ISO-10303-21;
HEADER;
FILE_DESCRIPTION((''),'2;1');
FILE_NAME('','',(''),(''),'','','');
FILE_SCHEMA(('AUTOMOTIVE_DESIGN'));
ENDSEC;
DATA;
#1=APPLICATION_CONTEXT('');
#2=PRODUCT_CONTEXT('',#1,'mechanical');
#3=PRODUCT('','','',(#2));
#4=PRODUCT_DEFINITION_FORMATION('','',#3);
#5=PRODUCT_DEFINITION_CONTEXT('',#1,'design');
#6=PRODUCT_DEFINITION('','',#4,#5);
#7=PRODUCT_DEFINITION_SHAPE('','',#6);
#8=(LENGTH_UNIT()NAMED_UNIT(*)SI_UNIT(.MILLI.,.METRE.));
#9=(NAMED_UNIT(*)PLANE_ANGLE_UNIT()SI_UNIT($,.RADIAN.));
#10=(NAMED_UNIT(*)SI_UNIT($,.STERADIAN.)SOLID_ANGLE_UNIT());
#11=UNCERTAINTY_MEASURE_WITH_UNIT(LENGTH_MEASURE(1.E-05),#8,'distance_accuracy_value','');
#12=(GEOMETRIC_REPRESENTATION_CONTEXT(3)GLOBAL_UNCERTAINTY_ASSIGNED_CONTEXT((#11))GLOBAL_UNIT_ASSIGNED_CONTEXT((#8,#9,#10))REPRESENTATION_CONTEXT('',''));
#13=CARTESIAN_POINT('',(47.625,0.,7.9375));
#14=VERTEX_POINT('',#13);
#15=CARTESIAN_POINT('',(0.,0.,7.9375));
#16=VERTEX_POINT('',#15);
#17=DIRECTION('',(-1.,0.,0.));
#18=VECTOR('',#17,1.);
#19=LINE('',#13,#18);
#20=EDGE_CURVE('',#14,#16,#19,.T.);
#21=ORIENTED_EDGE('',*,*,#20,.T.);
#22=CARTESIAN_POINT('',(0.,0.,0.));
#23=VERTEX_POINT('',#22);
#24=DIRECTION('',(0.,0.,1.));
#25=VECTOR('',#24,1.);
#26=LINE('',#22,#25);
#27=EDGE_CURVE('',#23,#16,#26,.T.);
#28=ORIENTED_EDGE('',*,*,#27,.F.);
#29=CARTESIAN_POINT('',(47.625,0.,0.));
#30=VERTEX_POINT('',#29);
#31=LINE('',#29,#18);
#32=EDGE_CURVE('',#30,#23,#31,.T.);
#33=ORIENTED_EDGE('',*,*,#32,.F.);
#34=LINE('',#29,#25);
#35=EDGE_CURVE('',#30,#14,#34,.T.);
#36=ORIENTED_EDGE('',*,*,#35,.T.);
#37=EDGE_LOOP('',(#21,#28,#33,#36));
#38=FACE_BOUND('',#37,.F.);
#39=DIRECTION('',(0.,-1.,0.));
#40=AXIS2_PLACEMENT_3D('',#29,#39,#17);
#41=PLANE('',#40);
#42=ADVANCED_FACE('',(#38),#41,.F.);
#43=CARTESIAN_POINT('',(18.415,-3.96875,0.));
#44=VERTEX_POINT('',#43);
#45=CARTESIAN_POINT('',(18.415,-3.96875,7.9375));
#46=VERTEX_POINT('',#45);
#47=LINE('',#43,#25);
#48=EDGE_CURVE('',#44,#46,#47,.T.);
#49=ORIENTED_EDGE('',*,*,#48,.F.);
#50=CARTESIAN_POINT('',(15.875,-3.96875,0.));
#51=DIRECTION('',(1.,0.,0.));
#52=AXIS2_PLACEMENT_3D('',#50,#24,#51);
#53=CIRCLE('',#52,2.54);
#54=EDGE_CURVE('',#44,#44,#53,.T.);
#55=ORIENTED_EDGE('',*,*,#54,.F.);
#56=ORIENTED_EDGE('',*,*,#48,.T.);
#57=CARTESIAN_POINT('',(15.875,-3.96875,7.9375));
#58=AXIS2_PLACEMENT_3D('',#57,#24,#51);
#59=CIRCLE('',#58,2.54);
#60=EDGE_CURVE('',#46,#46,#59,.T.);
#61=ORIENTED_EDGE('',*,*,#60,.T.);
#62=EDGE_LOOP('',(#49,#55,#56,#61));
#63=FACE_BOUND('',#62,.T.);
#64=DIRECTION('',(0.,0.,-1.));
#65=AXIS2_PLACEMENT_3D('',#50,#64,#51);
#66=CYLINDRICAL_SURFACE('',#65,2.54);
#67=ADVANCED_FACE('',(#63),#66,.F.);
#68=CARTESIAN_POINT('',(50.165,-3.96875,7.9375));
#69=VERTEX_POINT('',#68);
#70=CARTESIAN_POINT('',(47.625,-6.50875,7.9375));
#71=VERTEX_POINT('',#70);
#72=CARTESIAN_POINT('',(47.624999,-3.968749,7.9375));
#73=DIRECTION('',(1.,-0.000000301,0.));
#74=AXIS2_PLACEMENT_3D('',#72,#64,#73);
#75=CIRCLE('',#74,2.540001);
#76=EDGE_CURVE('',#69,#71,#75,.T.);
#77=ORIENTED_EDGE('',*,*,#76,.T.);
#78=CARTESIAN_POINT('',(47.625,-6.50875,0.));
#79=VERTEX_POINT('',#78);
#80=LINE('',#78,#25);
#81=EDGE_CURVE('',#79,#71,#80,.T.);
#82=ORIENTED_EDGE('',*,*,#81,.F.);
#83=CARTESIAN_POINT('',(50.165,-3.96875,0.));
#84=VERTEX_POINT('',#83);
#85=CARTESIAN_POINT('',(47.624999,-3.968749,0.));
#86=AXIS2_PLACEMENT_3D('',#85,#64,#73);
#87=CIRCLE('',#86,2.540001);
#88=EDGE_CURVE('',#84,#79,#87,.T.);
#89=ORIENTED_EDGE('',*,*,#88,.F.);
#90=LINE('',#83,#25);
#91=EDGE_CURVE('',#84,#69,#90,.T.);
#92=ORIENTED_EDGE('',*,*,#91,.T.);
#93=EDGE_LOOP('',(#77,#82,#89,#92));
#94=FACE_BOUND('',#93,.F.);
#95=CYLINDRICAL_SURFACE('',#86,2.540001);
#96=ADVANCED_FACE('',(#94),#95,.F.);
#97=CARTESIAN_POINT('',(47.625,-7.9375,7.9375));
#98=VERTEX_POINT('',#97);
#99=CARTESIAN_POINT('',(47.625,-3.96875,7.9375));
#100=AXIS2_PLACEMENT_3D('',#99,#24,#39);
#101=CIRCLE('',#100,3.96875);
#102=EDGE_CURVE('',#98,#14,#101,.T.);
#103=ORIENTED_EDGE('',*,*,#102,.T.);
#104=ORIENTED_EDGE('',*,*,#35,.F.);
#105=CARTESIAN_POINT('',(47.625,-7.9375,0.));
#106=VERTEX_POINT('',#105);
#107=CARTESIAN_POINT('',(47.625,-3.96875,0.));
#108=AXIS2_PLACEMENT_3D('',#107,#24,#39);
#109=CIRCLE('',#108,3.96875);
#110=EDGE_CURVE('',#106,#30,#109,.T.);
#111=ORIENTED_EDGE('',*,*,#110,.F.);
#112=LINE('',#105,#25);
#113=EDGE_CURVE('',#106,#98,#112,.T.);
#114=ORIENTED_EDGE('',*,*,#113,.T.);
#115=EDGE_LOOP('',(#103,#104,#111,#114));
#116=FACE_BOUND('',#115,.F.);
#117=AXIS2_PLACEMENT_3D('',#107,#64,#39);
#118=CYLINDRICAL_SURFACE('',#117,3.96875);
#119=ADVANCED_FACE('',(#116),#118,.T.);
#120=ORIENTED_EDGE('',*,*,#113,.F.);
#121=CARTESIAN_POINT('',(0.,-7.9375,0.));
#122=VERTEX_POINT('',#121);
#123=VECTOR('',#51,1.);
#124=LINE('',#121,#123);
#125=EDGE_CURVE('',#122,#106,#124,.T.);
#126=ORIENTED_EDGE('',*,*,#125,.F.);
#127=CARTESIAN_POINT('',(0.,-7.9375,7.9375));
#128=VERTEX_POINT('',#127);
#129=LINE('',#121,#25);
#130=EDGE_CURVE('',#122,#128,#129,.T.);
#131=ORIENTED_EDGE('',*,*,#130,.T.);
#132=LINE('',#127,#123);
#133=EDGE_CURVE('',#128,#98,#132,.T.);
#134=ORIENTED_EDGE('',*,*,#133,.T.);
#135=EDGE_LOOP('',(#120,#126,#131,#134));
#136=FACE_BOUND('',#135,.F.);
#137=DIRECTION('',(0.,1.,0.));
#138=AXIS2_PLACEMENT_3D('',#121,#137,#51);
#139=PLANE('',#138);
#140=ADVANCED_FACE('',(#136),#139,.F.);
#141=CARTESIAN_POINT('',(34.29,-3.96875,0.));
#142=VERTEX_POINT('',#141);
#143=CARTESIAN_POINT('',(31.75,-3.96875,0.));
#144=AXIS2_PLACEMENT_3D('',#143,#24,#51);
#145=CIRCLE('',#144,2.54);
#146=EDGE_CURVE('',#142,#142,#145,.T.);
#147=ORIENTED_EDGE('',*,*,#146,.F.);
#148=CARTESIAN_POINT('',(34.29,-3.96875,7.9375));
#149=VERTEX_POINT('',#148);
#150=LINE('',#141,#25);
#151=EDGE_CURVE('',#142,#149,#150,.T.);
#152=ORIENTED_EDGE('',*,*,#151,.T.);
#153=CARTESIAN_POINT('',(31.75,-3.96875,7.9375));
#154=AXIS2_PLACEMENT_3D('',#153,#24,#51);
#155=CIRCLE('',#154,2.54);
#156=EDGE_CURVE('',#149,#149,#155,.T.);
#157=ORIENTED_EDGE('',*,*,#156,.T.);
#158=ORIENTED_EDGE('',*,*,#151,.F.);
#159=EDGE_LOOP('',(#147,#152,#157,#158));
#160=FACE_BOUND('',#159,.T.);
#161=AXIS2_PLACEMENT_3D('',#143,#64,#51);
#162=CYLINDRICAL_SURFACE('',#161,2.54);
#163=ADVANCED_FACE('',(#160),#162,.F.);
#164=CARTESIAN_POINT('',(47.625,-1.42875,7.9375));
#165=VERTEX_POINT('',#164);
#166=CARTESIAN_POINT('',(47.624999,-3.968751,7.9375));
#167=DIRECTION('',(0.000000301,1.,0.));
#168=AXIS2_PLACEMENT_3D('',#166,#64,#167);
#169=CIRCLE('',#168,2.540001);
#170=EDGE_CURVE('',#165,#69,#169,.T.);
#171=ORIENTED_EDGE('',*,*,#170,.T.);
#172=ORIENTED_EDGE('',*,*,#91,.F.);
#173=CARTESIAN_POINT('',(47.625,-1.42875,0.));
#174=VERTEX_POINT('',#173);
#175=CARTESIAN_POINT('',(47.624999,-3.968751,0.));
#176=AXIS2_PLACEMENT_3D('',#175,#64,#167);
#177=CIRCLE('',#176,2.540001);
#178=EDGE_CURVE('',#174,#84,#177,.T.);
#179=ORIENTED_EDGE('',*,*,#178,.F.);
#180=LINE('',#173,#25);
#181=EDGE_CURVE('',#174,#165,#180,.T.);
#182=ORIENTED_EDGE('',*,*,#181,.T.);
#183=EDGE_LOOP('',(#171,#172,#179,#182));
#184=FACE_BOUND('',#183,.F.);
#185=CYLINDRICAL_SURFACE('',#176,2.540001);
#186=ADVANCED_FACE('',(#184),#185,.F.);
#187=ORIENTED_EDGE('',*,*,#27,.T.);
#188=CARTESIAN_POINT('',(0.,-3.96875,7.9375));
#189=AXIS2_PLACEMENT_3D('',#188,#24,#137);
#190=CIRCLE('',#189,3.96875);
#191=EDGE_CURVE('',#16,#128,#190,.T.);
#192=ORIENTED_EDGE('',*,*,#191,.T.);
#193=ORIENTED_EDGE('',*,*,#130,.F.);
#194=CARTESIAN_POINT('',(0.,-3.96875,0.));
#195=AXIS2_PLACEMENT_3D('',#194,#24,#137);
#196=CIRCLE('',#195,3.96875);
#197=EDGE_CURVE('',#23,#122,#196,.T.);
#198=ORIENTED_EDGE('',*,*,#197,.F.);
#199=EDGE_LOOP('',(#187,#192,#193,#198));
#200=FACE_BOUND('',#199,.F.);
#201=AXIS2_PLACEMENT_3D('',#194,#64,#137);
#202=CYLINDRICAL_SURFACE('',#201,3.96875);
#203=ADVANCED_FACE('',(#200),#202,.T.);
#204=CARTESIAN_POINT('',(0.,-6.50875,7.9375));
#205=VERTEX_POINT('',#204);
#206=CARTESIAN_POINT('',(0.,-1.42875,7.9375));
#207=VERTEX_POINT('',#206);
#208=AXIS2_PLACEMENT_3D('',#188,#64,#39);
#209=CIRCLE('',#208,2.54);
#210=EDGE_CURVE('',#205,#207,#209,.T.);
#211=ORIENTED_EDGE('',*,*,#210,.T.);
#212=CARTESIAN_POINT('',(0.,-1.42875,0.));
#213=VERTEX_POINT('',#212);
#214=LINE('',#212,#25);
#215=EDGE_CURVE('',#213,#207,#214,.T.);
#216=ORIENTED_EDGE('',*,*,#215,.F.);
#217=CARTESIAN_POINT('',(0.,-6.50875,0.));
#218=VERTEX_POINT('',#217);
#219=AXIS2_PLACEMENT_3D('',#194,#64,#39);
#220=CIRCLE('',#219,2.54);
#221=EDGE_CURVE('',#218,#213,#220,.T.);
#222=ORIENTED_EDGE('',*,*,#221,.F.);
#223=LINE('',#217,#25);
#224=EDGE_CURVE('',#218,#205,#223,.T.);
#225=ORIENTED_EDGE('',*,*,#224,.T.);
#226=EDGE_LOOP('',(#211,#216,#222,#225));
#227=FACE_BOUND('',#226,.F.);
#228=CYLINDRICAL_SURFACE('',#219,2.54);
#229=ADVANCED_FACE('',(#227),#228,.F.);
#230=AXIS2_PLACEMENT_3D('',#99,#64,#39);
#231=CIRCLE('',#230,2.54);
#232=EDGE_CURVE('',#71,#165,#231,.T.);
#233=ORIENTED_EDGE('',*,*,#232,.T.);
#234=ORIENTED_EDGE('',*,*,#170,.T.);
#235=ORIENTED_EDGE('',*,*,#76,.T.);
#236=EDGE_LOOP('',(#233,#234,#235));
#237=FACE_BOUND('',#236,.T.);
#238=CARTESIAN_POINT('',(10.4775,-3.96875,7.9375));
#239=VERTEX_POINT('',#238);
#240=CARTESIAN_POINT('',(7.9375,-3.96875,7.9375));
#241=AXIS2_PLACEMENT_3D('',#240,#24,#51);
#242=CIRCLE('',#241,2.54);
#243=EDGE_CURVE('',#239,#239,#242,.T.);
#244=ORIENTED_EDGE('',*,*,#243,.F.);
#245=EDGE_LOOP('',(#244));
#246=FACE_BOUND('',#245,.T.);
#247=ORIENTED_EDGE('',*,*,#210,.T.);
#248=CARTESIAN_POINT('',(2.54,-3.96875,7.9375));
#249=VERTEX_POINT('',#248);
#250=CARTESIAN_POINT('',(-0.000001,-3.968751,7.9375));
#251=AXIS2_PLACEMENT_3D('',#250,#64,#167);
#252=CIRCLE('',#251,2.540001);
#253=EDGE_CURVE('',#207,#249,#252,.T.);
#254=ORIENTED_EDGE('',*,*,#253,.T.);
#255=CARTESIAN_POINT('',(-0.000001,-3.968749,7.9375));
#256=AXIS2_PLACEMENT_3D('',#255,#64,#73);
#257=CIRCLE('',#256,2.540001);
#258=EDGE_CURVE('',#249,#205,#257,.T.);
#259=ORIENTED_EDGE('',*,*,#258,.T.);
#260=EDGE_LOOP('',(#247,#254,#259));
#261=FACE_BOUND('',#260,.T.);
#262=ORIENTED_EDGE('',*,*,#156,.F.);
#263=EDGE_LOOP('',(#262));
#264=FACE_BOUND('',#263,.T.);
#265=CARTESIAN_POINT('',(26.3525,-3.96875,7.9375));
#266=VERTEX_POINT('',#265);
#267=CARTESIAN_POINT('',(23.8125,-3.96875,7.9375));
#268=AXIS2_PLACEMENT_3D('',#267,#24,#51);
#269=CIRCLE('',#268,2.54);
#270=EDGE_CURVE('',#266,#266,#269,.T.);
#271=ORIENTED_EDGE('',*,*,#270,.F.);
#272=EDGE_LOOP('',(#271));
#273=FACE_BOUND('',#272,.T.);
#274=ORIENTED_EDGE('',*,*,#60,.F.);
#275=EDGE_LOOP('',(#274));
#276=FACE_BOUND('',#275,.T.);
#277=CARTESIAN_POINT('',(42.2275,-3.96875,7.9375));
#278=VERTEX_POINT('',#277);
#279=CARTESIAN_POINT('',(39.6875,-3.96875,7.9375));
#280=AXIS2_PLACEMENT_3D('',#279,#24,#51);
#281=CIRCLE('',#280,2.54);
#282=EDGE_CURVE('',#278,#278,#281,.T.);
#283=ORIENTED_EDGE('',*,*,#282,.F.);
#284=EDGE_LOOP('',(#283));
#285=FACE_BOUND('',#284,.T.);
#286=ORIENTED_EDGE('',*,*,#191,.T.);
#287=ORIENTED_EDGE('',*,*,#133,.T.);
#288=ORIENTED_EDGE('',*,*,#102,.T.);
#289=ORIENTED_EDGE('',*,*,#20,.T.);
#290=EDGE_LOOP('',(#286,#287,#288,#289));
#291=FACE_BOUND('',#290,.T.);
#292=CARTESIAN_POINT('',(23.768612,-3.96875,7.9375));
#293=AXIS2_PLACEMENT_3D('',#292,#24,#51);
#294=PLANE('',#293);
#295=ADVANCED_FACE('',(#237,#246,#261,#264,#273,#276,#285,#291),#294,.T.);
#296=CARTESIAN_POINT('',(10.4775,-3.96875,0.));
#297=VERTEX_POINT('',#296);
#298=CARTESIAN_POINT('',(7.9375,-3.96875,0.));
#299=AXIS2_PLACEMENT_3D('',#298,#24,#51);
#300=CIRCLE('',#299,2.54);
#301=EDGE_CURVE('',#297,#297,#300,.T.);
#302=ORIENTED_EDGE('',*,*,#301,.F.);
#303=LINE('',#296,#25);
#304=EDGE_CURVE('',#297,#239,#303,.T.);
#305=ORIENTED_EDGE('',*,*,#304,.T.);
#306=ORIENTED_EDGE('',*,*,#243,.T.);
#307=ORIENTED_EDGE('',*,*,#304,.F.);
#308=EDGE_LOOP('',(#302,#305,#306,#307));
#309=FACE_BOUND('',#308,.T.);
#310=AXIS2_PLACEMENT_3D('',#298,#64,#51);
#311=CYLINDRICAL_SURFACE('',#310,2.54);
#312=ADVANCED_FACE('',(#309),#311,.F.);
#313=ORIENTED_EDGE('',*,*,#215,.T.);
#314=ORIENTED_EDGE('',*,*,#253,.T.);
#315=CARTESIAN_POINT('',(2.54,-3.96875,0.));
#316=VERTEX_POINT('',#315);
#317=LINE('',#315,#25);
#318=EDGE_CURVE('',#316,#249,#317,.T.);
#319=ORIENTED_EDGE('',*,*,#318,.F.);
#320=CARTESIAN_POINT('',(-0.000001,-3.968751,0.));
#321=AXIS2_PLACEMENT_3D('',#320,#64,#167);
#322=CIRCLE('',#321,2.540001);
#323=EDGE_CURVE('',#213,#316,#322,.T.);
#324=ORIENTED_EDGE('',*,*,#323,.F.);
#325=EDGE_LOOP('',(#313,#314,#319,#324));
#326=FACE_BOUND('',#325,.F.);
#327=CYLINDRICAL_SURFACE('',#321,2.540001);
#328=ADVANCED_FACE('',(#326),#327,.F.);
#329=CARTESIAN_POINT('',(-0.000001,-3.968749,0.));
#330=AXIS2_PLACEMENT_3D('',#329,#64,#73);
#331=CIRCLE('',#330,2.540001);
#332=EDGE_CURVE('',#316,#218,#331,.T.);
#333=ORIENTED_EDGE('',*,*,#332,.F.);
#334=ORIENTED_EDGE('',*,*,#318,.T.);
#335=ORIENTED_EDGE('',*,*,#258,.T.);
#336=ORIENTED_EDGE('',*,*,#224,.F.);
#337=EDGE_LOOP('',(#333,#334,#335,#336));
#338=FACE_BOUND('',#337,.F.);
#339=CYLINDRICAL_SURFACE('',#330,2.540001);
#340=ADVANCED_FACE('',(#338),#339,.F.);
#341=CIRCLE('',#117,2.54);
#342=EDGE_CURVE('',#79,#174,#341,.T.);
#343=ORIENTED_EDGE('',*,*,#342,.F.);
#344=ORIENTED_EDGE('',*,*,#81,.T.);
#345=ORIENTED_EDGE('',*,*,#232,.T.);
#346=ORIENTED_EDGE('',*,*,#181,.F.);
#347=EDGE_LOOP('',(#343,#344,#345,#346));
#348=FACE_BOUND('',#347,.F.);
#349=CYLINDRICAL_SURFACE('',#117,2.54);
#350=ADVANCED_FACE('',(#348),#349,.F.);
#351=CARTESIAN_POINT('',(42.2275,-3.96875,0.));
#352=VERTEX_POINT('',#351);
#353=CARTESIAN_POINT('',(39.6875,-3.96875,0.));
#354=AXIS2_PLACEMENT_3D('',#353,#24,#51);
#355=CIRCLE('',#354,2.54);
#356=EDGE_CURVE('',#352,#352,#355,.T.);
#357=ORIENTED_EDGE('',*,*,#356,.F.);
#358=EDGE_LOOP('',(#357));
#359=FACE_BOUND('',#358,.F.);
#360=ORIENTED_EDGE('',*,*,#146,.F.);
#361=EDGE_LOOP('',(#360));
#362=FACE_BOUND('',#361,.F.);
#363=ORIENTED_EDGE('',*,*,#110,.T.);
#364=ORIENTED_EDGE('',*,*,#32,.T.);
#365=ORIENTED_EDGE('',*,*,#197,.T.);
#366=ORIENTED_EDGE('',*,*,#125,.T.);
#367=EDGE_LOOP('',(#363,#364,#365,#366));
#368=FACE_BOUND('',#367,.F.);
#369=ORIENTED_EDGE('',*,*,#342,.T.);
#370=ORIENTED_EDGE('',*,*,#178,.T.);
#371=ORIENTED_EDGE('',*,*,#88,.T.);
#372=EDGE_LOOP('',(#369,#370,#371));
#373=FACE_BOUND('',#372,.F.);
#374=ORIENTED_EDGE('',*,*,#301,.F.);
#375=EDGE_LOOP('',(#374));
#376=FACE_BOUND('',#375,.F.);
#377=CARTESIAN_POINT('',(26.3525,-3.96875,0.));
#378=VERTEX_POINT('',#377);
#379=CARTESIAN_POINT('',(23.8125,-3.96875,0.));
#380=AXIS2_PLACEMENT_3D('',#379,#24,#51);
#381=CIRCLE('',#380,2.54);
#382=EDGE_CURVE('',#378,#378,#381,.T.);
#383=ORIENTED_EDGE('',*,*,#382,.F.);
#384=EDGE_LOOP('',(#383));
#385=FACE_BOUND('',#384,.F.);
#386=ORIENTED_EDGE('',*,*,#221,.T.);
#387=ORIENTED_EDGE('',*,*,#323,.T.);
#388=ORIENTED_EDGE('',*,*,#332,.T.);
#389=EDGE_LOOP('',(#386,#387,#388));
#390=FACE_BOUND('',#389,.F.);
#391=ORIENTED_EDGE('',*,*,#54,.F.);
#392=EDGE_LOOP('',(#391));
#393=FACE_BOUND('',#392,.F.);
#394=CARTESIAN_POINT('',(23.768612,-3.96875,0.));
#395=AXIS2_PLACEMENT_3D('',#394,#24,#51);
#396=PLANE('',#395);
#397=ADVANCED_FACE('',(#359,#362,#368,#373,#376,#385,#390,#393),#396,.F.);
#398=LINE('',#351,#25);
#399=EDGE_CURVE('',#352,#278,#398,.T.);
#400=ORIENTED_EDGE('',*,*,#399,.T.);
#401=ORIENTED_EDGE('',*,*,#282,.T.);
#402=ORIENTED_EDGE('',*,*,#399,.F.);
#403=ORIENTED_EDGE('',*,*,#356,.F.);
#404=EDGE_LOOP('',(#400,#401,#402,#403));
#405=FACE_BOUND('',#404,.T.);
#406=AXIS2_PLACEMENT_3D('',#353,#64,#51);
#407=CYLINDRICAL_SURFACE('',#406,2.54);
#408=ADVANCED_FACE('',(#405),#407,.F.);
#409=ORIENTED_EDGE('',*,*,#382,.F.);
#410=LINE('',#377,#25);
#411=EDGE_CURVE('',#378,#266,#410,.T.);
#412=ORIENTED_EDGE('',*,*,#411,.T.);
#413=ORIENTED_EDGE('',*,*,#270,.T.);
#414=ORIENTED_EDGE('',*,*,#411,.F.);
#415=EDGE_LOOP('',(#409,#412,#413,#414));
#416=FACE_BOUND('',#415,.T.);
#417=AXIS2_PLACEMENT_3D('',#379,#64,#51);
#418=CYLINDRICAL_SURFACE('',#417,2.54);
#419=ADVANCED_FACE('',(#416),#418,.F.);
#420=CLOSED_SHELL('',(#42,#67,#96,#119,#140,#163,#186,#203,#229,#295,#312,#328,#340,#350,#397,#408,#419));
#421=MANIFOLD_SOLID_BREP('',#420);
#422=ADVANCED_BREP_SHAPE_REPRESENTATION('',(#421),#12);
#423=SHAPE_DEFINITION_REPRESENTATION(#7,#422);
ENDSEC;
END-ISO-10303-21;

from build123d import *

# Parameters (mm, degrees)
F0_R     = 2.54
F1_DEPTH = 7.9375


with BuildPart() as f1:
    # F0 (on Top) → F1 (new body)
    with BuildSketch(Plane.XY):
        with BuildLine():
            Line((47.625, 0), (0, 0))
            Line((0, 0), (0, -1.42875))
            ThreePointArc((0, -1.42875), (1.796051, -2.172699), (2.54, -3.96875))
            ThreePointArc((2.54, -3.96875), (1.796051, -5.764801), (0, -6.50875))
            Line((0, -6.50875), (0, -7.9375))
            Line((0, -7.9375), (47.625, -7.9375))
            Line((47.625, -7.9375), (47.625, -6.50875))
            ThreePointArc((47.625, -6.50875), (45.085, -3.96875), (47.625, -1.42875))
            Line((47.625, -1.42875), (47.625, 0))
        make_face()
        with Locations((7.9375, -3.96875)):
            Circle(F0_R, mode=Mode.SUBTRACT)
        with Locations((15.875, -3.96875)):
            Circle(F0_R, mode=Mode.SUBTRACT)
        with Locations((23.8125, -3.96875)):
            Circle(F0_R, mode=Mode.SUBTRACT)
        with Locations((31.75, -3.96875)):
            Circle(F0_R, mode=Mode.SUBTRACT)
        with Locations((39.6875, -3.96875)):
            Circle(F0_R, mode=Mode.SUBTRACT)
        with BuildLine():
            Line((0, -1.42875), (0, 0))
            ThreePointArc((0, 0), (-3.96875, -3.96875), (0, -7.9375))
            Line((0, -7.9375), (0, -6.50875))
            ThreePointArc((0, -6.50875), (-2.54, -3.96875), (0, -1.42875))
        make_face()
        with BuildLine():
            ThreePointArc((47.625, -7.9375), (51.59375, -3.96875), (47.625, 0))
            Line((47.625, 0), (47.625, -1.42875))
            ThreePointArc((47.625, -1.42875), (49.421051, -2.172699), (50.165, -3.96875))
            ThreePointArc((50.165, -3.96875), (49.421051, -5.764801), (47.625, -6.50875))
            Line((47.625, -6.50875), (47.625, -7.9375))
        make_face()
    extrude(amount=F1_DEPTH)


solid = f1.part
